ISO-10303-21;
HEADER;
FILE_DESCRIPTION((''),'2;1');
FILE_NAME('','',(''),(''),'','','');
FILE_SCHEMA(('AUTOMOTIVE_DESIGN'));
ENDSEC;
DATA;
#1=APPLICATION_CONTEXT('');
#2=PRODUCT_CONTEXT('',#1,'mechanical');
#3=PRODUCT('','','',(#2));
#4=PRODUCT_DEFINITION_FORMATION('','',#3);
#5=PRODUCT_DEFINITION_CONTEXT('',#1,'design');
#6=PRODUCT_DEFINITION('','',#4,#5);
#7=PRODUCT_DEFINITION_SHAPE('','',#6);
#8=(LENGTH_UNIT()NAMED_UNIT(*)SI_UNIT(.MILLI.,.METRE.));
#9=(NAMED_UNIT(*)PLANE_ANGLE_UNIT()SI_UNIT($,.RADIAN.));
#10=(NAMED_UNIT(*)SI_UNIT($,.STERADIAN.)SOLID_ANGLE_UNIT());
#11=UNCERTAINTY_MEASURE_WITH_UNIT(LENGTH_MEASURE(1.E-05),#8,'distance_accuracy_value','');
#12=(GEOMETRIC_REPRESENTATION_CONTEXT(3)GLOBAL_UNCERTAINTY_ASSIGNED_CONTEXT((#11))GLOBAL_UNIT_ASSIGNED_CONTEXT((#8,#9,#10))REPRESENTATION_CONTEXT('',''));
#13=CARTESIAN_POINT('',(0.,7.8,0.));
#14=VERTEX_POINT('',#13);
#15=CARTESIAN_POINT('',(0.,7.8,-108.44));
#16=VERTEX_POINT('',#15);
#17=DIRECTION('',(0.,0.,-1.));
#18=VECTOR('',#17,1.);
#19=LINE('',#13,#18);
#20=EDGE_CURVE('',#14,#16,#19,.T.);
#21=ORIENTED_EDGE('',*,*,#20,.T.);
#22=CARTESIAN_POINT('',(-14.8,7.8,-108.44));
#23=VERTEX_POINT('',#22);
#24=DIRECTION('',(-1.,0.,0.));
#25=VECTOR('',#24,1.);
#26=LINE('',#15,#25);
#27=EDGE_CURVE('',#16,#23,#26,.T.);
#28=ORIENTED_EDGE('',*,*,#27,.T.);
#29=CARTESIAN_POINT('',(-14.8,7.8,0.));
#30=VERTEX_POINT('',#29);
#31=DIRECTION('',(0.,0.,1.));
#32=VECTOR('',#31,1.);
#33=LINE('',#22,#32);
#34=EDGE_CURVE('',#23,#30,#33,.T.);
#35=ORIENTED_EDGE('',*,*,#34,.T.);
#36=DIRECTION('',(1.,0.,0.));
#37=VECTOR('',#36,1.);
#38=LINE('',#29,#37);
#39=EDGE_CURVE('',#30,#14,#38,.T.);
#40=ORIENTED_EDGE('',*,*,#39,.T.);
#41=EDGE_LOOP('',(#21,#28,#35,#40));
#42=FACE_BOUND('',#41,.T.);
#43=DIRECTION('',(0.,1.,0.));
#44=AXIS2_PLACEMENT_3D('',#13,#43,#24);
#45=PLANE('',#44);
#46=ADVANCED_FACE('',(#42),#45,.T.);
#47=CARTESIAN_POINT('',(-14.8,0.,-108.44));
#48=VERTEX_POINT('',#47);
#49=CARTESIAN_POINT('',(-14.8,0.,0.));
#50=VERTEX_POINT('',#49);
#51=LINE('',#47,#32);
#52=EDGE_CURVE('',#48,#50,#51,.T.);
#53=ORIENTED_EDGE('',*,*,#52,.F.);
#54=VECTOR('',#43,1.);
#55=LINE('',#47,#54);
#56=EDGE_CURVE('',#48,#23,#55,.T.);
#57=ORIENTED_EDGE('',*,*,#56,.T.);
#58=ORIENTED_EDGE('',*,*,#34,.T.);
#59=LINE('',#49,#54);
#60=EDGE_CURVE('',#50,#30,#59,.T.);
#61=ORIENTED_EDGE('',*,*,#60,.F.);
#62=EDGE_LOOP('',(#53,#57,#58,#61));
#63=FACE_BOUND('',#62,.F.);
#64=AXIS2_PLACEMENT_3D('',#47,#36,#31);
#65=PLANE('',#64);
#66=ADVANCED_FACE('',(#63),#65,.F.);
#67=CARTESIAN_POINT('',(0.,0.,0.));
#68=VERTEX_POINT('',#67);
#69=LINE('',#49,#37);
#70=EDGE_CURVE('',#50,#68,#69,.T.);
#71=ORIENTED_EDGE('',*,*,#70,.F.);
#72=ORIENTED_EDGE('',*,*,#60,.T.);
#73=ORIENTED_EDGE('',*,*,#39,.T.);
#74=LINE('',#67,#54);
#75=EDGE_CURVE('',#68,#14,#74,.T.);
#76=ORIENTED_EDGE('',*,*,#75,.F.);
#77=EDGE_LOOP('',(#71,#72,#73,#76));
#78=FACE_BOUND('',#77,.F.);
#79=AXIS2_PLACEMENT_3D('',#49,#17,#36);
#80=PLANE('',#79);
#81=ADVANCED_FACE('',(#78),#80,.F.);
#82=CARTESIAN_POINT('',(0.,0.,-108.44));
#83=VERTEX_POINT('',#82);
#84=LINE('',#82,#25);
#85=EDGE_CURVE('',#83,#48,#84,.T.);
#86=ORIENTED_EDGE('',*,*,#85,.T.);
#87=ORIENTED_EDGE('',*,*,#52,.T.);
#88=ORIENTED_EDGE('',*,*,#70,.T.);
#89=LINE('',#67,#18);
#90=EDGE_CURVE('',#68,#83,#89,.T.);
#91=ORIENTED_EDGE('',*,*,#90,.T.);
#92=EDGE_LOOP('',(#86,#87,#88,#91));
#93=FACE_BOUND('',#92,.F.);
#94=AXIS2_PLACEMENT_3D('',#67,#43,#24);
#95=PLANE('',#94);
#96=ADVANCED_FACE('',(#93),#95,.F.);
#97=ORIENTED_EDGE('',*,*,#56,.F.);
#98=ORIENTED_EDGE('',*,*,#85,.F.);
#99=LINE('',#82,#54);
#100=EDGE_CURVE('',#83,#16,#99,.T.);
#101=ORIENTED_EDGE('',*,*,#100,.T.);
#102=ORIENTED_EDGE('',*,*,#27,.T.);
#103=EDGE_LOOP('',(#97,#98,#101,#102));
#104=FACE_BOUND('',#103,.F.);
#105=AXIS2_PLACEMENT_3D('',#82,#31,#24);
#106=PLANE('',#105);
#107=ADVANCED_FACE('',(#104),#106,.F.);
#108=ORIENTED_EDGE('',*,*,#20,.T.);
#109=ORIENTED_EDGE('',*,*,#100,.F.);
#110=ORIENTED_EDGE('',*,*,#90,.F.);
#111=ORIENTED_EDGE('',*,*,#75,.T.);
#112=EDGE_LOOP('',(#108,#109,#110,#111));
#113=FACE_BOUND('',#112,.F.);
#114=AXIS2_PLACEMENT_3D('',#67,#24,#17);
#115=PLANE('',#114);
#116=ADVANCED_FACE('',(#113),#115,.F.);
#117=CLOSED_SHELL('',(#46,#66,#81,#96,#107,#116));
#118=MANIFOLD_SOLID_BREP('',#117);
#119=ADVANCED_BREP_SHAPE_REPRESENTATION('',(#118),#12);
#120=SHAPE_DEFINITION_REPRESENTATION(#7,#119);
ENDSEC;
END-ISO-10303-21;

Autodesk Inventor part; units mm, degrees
ref_plane "YZ Plane" through (0, 0, 0) normal (1, 0, 0) x (0, 1, 0)
ref_plane "XZ Plane" through (0, 0, 0) normal (0, 1, 0) x (-1, 0, 0)
ref_plane "XY Plane" through (0, 0, 0) normal (0, 0, 1) x (1, 0, 0)
sketch "Sketch1" plane through (0, 0, 0) normal (0, 1, 0) x (-1, 0, 0)
  line L0 (14.8, 0) -> (0, 0)
  line L1 (0, 0) -> (0, -108.44)
  line L2 (0, -108.44) -> (14.8, -108.44)
  line L3 (14.8, -108.44) -> (14.8, 0)
  dimension "d0" = 108.44
  dimension "d1" = 14.8
extrude "Extrusion1" add sketch "Sketch1" along normal blind 7.8
properties part number "FerriteBar"
